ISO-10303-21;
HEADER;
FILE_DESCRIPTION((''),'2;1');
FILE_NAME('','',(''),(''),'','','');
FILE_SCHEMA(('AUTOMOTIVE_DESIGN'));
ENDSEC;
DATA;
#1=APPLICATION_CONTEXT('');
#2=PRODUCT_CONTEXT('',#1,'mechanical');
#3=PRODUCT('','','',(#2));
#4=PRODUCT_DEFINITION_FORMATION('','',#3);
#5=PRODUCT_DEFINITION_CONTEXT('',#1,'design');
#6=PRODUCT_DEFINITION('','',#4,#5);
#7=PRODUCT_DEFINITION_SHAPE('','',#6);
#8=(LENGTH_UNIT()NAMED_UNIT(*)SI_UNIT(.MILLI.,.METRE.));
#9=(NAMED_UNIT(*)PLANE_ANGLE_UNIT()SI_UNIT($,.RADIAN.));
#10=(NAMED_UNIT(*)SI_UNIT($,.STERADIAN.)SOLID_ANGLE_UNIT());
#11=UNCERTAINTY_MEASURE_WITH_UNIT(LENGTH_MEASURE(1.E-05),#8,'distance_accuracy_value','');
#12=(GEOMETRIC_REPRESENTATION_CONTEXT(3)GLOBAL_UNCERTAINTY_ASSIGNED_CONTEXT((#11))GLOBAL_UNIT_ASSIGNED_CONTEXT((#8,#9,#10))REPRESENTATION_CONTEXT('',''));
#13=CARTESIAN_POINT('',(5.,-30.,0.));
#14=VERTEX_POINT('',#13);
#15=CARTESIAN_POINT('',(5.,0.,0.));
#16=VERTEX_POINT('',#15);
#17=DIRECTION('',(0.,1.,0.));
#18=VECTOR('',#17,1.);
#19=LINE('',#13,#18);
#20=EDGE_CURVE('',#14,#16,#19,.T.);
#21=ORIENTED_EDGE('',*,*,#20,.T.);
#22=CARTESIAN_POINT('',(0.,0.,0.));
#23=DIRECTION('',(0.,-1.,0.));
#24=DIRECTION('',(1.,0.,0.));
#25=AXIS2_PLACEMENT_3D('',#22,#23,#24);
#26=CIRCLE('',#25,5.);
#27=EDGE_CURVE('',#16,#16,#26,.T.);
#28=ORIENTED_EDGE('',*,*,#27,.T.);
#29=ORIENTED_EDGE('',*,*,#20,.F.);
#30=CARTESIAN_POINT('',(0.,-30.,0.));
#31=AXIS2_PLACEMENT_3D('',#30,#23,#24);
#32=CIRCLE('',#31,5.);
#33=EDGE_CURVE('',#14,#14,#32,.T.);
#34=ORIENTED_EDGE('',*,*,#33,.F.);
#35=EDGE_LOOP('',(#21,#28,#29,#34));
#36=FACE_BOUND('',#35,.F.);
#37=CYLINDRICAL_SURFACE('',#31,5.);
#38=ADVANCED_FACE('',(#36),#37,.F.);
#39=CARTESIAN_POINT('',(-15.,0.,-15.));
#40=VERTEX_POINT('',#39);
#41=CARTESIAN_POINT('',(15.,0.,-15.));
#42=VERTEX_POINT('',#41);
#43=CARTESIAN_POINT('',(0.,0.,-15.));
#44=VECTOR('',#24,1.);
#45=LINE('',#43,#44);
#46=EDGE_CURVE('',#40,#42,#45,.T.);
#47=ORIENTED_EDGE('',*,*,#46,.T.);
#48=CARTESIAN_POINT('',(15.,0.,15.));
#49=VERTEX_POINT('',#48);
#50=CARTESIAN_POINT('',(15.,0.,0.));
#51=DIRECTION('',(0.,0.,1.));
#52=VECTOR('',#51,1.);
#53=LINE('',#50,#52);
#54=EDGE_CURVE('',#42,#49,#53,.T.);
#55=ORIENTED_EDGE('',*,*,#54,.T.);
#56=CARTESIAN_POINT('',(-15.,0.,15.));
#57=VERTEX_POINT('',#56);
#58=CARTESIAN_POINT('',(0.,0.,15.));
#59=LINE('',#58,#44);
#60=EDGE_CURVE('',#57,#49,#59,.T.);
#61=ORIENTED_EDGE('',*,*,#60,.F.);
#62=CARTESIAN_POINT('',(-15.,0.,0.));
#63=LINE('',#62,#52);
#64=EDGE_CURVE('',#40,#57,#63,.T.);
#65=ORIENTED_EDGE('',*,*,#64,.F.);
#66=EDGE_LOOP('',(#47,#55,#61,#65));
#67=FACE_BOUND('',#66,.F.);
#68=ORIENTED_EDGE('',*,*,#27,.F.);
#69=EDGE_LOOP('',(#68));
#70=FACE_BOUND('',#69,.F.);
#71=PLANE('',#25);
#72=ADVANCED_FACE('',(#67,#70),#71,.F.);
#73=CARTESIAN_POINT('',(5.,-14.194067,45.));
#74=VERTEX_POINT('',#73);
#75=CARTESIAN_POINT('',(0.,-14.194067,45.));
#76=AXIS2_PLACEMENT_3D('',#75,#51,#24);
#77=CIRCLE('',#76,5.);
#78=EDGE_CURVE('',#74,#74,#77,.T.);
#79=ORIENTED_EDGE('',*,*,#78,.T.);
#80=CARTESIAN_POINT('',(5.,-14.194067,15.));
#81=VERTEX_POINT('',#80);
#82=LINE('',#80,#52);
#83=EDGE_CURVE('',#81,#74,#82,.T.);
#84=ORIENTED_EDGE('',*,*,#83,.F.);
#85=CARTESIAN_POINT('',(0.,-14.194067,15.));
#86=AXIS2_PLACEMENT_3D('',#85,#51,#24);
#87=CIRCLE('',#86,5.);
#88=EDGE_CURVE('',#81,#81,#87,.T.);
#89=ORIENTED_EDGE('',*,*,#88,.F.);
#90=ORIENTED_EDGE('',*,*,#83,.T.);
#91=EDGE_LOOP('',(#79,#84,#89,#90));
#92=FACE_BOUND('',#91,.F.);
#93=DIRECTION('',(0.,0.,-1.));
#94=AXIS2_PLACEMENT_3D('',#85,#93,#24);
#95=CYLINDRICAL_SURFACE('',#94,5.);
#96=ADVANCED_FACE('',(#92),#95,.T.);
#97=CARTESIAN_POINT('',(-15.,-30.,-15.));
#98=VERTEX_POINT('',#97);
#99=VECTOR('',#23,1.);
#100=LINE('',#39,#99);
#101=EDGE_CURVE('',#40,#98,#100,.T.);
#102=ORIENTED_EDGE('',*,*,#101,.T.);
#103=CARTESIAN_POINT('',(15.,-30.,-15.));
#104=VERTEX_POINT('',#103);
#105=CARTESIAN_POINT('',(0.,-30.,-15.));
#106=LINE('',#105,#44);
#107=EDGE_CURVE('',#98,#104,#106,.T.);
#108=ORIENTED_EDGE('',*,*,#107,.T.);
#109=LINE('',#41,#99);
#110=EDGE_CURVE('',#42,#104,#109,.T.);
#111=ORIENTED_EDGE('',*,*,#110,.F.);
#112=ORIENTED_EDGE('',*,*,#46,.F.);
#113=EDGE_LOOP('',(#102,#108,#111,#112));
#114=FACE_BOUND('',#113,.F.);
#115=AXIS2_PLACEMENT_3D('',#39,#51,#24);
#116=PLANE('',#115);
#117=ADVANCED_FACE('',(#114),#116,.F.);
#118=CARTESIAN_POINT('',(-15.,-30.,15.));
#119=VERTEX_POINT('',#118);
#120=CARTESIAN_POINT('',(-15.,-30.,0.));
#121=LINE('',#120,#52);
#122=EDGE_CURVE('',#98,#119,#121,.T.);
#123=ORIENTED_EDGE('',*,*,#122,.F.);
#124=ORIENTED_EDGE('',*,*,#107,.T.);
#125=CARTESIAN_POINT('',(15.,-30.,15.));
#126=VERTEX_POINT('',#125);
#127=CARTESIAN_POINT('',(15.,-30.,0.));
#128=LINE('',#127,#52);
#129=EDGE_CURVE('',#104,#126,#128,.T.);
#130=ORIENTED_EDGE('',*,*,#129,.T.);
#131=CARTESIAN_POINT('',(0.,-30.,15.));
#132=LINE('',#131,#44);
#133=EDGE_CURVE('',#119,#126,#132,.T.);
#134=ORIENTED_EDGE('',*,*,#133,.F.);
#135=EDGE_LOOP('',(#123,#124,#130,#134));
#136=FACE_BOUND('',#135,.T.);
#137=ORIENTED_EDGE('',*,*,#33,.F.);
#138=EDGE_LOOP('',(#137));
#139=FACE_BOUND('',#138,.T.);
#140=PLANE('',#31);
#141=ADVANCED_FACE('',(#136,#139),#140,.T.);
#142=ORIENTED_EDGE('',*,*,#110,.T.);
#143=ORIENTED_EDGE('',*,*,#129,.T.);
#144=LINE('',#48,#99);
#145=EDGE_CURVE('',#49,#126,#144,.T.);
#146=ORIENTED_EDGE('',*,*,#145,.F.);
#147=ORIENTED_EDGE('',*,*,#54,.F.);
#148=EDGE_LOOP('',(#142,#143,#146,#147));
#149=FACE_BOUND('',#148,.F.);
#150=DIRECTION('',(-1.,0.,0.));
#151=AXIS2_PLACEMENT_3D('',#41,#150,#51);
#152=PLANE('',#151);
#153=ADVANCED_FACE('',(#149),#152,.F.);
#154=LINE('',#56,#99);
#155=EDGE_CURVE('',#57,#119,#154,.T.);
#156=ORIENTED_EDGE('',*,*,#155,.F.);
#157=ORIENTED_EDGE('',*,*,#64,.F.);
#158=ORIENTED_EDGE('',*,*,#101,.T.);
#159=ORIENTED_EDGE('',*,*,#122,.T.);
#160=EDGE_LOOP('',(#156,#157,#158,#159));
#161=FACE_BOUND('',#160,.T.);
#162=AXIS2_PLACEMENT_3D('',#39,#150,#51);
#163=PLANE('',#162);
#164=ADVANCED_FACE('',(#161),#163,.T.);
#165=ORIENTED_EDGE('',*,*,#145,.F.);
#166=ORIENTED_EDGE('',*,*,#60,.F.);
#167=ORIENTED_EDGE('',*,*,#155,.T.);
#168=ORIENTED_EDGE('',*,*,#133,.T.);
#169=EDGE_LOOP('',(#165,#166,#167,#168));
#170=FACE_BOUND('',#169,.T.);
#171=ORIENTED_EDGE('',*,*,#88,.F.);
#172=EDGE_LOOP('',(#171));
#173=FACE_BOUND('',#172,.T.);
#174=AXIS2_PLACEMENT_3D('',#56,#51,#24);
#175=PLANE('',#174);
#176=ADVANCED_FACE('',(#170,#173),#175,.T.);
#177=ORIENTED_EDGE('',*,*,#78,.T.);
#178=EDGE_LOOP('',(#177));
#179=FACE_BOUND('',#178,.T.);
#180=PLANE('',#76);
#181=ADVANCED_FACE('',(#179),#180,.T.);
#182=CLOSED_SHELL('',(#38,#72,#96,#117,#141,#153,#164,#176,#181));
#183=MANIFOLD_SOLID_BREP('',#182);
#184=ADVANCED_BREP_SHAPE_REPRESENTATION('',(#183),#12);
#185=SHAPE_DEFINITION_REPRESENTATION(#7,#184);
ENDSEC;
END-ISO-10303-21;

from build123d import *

# Parameters (mm, degrees)
F0_W     = 30
F0_H     = 30
F1_DEPTH = 30
F2_R     = 5
F3_DEPTH = 35
F4_R     = 5
F5_DEPTH = 30


with BuildPart() as f1:
    # F0 (on Front) → F1 (new body)
    with BuildSketch(Plane.XZ):
        Rectangle(F0_W, F0_H)
    extrude(amount=F1_DEPTH)

    # F2 (on face) → F3 (cut)
    with BuildSketch(Plane.XZ.offset(30)):
        Circle(F2_R)
    extrude(amount=-F3_DEPTH, mode=Mode.SUBTRACT)

    # F4 (on face) → F5 (join)
    with BuildSketch(Plane.XY.offset(15)):
        with Locations((0, -14.194067)):
            Circle(F4_R)
    extrude(amount=F5_DEPTH)


solid = f1.part
